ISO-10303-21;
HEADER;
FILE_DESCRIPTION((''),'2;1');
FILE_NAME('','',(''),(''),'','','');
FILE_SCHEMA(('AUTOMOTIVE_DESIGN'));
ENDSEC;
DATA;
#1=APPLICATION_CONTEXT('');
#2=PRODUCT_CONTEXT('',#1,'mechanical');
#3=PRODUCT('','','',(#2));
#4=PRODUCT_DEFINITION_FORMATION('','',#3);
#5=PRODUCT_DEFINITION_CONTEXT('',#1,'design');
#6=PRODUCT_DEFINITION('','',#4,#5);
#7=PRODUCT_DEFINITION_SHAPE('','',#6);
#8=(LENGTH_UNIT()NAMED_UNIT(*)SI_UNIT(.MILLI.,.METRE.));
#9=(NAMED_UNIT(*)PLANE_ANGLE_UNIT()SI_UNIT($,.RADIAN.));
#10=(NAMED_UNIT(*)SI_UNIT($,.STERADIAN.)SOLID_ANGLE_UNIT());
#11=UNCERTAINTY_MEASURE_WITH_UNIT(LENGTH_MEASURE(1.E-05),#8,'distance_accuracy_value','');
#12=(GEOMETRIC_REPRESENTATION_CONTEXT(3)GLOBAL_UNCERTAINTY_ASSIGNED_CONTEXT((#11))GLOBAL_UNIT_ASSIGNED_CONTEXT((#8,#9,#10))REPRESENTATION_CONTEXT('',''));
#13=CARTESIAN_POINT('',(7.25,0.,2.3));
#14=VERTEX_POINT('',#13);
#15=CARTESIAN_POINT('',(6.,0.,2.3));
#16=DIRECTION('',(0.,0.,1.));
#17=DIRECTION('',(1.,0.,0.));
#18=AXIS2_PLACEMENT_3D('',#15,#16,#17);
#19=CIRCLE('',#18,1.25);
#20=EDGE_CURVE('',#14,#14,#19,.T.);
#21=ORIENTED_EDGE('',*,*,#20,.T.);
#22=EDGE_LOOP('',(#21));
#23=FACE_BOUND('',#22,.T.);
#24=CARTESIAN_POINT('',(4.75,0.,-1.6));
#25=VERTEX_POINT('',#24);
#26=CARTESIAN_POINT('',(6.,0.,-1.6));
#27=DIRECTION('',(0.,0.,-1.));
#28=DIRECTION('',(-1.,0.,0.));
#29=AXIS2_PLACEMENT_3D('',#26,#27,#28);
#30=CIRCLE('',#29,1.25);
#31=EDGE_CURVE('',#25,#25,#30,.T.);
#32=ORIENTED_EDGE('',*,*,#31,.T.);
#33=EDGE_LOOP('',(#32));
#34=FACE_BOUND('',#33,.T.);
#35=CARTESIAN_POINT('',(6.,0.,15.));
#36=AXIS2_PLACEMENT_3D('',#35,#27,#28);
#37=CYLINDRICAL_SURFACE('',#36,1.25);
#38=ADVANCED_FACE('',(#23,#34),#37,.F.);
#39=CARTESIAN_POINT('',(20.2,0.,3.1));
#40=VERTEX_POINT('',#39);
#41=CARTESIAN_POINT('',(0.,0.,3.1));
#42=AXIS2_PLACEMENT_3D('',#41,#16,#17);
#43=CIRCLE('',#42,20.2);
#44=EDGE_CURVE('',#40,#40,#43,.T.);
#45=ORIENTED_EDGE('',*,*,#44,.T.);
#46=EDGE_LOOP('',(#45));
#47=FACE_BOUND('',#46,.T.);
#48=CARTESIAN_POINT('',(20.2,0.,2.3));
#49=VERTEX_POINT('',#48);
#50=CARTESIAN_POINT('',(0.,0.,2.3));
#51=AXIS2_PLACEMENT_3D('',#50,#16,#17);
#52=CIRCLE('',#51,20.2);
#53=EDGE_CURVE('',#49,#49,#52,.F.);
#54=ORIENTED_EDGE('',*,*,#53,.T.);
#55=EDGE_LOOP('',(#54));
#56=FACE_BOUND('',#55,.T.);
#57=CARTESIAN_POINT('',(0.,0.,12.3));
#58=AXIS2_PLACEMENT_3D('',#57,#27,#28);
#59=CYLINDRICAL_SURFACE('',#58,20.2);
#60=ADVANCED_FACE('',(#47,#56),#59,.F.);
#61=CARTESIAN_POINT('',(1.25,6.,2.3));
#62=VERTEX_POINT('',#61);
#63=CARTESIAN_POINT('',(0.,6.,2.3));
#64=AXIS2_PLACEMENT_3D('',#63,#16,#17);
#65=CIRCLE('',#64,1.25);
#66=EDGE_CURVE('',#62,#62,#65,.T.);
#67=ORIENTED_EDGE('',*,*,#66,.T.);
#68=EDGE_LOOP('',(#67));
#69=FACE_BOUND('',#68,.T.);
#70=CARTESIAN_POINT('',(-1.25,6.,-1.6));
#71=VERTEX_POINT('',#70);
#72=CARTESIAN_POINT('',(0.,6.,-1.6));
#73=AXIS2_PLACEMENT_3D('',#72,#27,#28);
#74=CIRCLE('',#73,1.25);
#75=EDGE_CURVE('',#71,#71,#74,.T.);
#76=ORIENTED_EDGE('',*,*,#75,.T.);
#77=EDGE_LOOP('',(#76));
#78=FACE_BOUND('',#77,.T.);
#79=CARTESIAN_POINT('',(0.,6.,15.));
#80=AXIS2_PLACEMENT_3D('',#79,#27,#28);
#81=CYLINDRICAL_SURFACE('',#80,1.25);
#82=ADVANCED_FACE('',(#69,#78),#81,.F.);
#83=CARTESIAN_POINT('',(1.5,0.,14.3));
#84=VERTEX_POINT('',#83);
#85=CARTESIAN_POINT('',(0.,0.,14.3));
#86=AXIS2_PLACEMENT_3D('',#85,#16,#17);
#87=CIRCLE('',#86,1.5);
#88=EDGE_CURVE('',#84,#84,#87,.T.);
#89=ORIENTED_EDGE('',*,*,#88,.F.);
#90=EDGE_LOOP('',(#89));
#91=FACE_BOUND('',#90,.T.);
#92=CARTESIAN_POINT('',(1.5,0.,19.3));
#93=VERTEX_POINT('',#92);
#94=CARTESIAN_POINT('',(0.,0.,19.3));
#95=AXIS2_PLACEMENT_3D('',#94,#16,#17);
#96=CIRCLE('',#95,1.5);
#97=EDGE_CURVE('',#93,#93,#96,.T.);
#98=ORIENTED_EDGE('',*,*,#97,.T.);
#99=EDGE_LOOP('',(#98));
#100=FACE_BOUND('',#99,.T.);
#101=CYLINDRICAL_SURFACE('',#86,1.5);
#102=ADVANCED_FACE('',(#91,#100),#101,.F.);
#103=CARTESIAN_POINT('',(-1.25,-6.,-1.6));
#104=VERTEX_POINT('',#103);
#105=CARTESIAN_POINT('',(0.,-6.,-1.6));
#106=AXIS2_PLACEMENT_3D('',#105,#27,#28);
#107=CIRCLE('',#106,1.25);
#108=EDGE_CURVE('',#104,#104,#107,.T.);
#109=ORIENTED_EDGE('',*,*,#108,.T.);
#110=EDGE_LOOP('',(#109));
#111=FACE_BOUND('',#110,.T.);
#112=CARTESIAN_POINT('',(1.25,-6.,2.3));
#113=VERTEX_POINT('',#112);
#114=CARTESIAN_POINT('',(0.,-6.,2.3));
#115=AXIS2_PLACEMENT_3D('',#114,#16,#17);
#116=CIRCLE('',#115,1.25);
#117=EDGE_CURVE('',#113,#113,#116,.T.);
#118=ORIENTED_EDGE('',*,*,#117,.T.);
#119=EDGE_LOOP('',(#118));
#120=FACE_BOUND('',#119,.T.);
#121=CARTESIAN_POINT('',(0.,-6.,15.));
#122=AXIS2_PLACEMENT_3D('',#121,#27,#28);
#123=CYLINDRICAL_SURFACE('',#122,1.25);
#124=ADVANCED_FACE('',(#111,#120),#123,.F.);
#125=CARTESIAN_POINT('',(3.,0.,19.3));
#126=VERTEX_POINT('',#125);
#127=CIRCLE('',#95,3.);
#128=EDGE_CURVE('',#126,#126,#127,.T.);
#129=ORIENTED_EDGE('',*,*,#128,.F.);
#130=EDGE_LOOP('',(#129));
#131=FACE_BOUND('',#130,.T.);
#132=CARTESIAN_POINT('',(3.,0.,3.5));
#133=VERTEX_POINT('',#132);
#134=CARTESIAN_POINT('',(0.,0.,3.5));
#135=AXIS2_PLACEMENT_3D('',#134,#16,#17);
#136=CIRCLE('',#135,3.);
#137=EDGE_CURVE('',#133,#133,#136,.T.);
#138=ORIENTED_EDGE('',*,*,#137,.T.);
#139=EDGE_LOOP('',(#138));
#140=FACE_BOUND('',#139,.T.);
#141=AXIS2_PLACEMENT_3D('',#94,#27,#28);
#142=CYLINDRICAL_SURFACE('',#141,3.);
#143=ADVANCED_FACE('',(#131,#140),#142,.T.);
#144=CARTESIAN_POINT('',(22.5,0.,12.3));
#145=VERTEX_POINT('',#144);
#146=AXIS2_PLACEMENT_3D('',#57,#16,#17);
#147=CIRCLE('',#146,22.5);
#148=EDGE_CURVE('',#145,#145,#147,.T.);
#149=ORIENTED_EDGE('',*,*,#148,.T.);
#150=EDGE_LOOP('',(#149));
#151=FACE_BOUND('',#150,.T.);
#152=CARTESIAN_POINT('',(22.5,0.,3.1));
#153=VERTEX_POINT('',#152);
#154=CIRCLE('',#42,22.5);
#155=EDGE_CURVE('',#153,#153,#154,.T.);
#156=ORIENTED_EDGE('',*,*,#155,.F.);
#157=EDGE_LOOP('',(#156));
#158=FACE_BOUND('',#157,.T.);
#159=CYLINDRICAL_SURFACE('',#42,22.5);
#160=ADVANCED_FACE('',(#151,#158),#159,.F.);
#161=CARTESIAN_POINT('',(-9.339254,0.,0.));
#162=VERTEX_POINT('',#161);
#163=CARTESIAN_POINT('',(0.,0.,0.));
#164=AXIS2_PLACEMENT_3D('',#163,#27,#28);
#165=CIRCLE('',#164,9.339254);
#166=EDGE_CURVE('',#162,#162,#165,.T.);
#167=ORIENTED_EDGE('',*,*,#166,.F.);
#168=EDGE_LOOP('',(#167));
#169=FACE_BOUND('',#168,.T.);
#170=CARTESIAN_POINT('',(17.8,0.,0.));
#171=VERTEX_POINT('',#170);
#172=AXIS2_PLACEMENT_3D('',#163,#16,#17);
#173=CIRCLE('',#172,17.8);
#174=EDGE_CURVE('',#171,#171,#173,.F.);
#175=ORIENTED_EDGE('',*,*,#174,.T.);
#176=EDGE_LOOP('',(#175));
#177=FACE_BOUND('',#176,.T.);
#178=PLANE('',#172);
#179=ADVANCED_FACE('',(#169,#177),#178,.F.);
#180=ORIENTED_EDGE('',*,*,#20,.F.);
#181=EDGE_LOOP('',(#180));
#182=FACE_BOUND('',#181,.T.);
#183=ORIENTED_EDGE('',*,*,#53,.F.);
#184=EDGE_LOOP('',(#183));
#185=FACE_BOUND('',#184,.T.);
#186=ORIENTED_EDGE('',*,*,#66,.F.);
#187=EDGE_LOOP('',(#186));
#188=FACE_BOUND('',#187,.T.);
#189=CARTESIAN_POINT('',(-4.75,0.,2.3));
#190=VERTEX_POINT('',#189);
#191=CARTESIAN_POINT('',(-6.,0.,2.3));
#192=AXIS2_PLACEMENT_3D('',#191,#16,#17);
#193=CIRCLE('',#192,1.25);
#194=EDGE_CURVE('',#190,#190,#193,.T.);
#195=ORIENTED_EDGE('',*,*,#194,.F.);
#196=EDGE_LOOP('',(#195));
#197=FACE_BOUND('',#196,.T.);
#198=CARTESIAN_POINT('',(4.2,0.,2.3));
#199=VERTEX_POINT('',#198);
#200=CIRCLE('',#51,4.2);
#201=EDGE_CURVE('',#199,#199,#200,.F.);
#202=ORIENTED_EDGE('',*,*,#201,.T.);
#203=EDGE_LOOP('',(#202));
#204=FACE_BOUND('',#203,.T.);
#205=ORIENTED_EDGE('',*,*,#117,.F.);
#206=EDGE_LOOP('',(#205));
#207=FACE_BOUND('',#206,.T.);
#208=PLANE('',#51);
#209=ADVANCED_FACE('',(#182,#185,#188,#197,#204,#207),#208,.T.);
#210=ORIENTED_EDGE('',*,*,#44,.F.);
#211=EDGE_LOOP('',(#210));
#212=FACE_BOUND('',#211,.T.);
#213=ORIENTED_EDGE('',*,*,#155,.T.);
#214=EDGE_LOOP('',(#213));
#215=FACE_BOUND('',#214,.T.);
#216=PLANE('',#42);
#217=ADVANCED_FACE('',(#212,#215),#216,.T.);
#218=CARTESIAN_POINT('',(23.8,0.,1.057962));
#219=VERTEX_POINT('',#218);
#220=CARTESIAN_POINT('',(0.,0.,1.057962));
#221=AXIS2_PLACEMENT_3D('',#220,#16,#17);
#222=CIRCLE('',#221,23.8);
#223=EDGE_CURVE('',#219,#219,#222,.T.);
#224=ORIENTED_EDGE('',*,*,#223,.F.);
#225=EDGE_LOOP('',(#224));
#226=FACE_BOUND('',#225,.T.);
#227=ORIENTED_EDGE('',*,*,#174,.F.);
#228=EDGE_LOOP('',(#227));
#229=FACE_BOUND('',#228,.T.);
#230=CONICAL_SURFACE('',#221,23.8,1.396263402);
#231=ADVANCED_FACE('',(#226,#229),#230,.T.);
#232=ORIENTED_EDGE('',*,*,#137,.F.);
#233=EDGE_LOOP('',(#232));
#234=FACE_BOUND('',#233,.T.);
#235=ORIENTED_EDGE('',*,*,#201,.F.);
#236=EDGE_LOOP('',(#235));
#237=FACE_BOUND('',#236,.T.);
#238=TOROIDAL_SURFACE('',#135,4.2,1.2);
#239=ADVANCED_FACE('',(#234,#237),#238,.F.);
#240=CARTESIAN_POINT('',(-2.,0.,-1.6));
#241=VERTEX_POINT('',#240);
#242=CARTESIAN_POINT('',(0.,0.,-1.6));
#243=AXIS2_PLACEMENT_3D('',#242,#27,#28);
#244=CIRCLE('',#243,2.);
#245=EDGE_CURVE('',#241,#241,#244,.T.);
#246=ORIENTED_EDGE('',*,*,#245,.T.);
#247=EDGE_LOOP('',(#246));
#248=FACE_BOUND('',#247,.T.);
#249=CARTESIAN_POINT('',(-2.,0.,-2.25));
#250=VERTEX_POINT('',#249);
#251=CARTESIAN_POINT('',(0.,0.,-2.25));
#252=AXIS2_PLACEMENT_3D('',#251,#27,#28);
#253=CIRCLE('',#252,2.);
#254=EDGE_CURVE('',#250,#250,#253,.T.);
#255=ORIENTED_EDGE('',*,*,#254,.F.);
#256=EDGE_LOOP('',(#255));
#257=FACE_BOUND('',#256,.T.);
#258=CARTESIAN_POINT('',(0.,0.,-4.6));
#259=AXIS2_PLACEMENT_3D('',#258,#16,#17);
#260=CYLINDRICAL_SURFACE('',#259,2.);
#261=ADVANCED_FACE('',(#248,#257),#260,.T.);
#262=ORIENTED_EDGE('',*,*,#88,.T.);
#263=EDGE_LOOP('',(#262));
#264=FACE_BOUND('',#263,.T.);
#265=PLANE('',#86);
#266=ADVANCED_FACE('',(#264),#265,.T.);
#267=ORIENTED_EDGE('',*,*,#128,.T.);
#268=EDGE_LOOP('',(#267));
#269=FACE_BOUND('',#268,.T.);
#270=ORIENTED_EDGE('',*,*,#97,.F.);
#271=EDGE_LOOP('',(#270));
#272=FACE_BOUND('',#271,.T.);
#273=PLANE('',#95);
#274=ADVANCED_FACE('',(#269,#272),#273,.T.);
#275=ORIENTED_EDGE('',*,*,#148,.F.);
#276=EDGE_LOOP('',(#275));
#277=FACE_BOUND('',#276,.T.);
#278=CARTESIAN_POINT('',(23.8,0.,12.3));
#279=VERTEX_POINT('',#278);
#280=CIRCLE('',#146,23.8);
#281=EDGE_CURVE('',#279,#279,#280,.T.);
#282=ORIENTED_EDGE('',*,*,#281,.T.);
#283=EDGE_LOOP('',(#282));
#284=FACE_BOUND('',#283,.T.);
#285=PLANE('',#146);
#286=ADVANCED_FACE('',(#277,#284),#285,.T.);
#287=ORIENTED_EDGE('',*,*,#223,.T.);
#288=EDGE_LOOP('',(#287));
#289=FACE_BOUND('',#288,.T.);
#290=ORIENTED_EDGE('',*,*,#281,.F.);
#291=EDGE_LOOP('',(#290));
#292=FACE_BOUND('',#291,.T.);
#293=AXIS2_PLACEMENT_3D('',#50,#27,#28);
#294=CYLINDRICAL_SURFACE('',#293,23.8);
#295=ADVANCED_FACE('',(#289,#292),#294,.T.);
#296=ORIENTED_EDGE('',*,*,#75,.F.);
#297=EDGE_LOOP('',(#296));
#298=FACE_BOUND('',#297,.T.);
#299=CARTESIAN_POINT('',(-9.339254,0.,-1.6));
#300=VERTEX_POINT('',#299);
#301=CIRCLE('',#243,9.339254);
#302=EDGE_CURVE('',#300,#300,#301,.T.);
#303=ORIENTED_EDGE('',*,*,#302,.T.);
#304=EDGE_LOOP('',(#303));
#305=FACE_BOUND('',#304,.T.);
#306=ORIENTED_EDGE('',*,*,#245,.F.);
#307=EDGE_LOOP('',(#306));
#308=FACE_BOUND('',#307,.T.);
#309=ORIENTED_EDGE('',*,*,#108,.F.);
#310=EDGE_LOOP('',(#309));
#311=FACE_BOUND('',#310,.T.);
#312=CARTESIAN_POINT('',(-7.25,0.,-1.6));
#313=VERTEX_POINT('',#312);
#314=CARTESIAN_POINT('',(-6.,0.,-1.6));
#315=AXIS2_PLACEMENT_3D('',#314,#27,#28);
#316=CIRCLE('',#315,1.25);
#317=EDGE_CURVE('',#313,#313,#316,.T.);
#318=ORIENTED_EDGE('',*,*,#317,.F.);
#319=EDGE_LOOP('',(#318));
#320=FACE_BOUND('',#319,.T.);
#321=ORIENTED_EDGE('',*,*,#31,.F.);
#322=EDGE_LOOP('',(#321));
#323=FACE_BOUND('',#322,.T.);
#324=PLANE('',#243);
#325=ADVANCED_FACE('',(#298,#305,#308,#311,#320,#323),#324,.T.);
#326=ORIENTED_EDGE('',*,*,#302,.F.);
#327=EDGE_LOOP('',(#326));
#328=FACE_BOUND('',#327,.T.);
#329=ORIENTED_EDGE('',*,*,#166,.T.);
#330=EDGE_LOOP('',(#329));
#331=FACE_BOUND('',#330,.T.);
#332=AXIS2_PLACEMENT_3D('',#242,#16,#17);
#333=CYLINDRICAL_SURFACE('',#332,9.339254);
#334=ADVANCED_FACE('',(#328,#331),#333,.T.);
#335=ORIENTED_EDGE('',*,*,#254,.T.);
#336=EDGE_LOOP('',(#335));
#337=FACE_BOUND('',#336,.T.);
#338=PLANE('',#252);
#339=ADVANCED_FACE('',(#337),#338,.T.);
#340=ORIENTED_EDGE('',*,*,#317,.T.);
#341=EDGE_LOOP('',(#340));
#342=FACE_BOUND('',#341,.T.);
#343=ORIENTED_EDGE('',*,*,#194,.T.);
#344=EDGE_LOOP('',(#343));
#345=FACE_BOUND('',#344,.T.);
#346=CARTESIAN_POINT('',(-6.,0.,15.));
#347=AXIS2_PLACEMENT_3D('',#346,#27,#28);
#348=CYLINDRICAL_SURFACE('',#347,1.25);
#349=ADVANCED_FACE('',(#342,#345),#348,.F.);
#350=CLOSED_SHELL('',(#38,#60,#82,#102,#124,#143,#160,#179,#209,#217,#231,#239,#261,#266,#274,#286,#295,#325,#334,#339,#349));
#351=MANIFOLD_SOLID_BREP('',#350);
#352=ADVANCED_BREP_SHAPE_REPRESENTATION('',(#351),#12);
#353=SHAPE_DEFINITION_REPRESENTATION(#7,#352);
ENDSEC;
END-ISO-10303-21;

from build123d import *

# Parameters (mm, degrees)
SKETCH1_R               = 23.8
BOSS_EXTRUDE1_DEPTH     = 2.3
SKETCH2_R               = 23.8
SKETCH2_R_2             = 20.2
BOSS_EXTRUDE2_DEPTH     = 10
SKETCH3_R               = 3
BOSS_EXTRUDE3_DEPTH     = 17
CHAMFER1_SIZE           = 6
CHAMFER1_SIZE2          = 1.057961884
SKETCH4_R               = 1.25
CUT_EXTRUDE1_DEPTH      = 15
CUT_EXTRUDE3_START      = -9.2
SKETCH6_R               = 22.5
SKETCH6_R_2             = 20.2
CUT_EXTRUDE3_DEPTH      = 9.2
SKETCH7_R               = 1.5
CUT_EXTRUDE4_DEPTH      = 5
REDONDEO1_R             = 1.2
SALIENTE_EXTRUIR1_START = 1.6
CROQUIS1_R              = 9.339254136
CROQUIS1_R_2            = 1.25
SALIENTE_EXTRUIR1_DEPTH = 1.6
CROQUIS2_R              = 2
SALIENTE_EXTRUIR2_DEPTH = 3
CROQUIS4_R              = 4.654338303
CORTAR_EXTRUIR1_DEPTH   = 2.35


with BuildPart() as part:
    # Sketch1 → Boss-Extrude1 (new body)
    with BuildSketch(Plane.XY):
        Circle(SKETCH1_R)
    extrude(amount=BOSS_EXTRUDE1_DEPTH)

    # Sketch2 → Boss-Extrude2 (add)
    with BuildSketch(Plane.XY.offset(2.3)):
        Circle(SKETCH2_R)
        Circle(SKETCH2_R_2, mode=Mode.SUBTRACT)
    extrude(amount=BOSS_EXTRUDE2_DEPTH)

    # Sketch3 → Boss-Extrude3 (add)
    with BuildSketch(Plane.XY.offset(2.3)):
        Circle(SKETCH3_R)
    extrude(amount=BOSS_EXTRUDE3_DEPTH)

    # Chamfer1
    chamfer1_edges = [part.edges().sort_by_distance(p)[0] for p in [
        (-23.8, 0, 0),
    ]]
    chamfer1_side = [part.faces().sort_by_distance(p)[0] for p in [
        (0, 0, 0),
    ]]
    chamfer(chamfer1_edges, length=CHAMFER1_SIZE, length2=CHAMFER1_SIZE2, reference=chamfer1_side[0])

    # Sketch4 → Cut-Extrude1 (cut)
    with BuildSketch(Plane(origin=(0, 0, 0), x_dir=(-1, 0, 0), z_dir=(0, 0, -1))):
        with Locations((6, 0)):
            Circle(SKETCH4_R)
        with Locations((0, -6)):
            Circle(SKETCH4_R)
        with Locations((-6, 0)):
            Circle(SKETCH4_R)
        with Locations((0, 6)):
            Circle(SKETCH4_R)
    extrude(amount=-CUT_EXTRUDE1_DEPTH, mode=Mode.SUBTRACT)

    # Sketch6 → Cut-Extrude3 (cut)
    with BuildSketch(Plane.XY.offset(12.3).offset(CUT_EXTRUDE3_START)):
        Circle(SKETCH6_R)
        Circle(SKETCH6_R_2, mode=Mode.SUBTRACT)
    extrude(amount=CUT_EXTRUDE3_DEPTH, mode=Mode.SUBTRACT)

    # Sketch7 → Cut-Extrude4 (cut)
    with BuildSketch(Plane.XY.offset(19.3)):
        Circle(SKETCH7_R)
    extrude(amount=-CUT_EXTRUDE4_DEPTH, mode=Mode.SUBTRACT)

    # Redondeo1
    redondeo1_edges = [part.edges().sort_by_distance(p)[0] for p in [
        (-3, 0, 2.3),
    ]]
    fillet(redondeo1_edges, radius=REDONDEO1_R)

    # Croquis1 → Saliente-Extruir1 (add)
    with BuildSketch(Plane(origin=(0, 0, 0), x_dir=(-1, 0, 0), z_dir=(0, 0, -1)).offset(SALIENTE_EXTRUIR1_START)):
        Circle(CROQUIS1_R)
        with Locations((0, 6)):
            Circle(CROQUIS1_R_2, mode=Mode.SUBTRACT)
        with Locations((6, 0)):
            Circle(CROQUIS1_R_2, mode=Mode.SUBTRACT)
        with Locations((0, -6)):
            Circle(CROQUIS1_R_2, mode=Mode.SUBTRACT)
        with Locations((-6, 0)):
            Circle(CROQUIS1_R_2, mode=Mode.SUBTRACT)
    extrude(amount=-SALIENTE_EXTRUIR1_DEPTH)

    # Croquis2 → Saliente-Extruir2 (add)
    with BuildSketch(Plane(origin=(0, 0, -1.6), x_dir=(-1, 0, 0), z_dir=(0, 0, -1))):
        Circle(CROQUIS2_R)
    extrude(amount=SALIENTE_EXTRUIR2_DEPTH)

    # Croquis4 → Cortar-Extruir1 (cut)
    with BuildSketch(Plane(origin=(0, 0, -4.6), x_dir=(-1, 0, 0), z_dir=(0, 0, -1))):
        Circle(CROQUIS4_R)
    extrude(amount=-CORTAR_EXTRUIR1_DEPTH, mode=Mode.SUBTRACT)


solid = part.part
